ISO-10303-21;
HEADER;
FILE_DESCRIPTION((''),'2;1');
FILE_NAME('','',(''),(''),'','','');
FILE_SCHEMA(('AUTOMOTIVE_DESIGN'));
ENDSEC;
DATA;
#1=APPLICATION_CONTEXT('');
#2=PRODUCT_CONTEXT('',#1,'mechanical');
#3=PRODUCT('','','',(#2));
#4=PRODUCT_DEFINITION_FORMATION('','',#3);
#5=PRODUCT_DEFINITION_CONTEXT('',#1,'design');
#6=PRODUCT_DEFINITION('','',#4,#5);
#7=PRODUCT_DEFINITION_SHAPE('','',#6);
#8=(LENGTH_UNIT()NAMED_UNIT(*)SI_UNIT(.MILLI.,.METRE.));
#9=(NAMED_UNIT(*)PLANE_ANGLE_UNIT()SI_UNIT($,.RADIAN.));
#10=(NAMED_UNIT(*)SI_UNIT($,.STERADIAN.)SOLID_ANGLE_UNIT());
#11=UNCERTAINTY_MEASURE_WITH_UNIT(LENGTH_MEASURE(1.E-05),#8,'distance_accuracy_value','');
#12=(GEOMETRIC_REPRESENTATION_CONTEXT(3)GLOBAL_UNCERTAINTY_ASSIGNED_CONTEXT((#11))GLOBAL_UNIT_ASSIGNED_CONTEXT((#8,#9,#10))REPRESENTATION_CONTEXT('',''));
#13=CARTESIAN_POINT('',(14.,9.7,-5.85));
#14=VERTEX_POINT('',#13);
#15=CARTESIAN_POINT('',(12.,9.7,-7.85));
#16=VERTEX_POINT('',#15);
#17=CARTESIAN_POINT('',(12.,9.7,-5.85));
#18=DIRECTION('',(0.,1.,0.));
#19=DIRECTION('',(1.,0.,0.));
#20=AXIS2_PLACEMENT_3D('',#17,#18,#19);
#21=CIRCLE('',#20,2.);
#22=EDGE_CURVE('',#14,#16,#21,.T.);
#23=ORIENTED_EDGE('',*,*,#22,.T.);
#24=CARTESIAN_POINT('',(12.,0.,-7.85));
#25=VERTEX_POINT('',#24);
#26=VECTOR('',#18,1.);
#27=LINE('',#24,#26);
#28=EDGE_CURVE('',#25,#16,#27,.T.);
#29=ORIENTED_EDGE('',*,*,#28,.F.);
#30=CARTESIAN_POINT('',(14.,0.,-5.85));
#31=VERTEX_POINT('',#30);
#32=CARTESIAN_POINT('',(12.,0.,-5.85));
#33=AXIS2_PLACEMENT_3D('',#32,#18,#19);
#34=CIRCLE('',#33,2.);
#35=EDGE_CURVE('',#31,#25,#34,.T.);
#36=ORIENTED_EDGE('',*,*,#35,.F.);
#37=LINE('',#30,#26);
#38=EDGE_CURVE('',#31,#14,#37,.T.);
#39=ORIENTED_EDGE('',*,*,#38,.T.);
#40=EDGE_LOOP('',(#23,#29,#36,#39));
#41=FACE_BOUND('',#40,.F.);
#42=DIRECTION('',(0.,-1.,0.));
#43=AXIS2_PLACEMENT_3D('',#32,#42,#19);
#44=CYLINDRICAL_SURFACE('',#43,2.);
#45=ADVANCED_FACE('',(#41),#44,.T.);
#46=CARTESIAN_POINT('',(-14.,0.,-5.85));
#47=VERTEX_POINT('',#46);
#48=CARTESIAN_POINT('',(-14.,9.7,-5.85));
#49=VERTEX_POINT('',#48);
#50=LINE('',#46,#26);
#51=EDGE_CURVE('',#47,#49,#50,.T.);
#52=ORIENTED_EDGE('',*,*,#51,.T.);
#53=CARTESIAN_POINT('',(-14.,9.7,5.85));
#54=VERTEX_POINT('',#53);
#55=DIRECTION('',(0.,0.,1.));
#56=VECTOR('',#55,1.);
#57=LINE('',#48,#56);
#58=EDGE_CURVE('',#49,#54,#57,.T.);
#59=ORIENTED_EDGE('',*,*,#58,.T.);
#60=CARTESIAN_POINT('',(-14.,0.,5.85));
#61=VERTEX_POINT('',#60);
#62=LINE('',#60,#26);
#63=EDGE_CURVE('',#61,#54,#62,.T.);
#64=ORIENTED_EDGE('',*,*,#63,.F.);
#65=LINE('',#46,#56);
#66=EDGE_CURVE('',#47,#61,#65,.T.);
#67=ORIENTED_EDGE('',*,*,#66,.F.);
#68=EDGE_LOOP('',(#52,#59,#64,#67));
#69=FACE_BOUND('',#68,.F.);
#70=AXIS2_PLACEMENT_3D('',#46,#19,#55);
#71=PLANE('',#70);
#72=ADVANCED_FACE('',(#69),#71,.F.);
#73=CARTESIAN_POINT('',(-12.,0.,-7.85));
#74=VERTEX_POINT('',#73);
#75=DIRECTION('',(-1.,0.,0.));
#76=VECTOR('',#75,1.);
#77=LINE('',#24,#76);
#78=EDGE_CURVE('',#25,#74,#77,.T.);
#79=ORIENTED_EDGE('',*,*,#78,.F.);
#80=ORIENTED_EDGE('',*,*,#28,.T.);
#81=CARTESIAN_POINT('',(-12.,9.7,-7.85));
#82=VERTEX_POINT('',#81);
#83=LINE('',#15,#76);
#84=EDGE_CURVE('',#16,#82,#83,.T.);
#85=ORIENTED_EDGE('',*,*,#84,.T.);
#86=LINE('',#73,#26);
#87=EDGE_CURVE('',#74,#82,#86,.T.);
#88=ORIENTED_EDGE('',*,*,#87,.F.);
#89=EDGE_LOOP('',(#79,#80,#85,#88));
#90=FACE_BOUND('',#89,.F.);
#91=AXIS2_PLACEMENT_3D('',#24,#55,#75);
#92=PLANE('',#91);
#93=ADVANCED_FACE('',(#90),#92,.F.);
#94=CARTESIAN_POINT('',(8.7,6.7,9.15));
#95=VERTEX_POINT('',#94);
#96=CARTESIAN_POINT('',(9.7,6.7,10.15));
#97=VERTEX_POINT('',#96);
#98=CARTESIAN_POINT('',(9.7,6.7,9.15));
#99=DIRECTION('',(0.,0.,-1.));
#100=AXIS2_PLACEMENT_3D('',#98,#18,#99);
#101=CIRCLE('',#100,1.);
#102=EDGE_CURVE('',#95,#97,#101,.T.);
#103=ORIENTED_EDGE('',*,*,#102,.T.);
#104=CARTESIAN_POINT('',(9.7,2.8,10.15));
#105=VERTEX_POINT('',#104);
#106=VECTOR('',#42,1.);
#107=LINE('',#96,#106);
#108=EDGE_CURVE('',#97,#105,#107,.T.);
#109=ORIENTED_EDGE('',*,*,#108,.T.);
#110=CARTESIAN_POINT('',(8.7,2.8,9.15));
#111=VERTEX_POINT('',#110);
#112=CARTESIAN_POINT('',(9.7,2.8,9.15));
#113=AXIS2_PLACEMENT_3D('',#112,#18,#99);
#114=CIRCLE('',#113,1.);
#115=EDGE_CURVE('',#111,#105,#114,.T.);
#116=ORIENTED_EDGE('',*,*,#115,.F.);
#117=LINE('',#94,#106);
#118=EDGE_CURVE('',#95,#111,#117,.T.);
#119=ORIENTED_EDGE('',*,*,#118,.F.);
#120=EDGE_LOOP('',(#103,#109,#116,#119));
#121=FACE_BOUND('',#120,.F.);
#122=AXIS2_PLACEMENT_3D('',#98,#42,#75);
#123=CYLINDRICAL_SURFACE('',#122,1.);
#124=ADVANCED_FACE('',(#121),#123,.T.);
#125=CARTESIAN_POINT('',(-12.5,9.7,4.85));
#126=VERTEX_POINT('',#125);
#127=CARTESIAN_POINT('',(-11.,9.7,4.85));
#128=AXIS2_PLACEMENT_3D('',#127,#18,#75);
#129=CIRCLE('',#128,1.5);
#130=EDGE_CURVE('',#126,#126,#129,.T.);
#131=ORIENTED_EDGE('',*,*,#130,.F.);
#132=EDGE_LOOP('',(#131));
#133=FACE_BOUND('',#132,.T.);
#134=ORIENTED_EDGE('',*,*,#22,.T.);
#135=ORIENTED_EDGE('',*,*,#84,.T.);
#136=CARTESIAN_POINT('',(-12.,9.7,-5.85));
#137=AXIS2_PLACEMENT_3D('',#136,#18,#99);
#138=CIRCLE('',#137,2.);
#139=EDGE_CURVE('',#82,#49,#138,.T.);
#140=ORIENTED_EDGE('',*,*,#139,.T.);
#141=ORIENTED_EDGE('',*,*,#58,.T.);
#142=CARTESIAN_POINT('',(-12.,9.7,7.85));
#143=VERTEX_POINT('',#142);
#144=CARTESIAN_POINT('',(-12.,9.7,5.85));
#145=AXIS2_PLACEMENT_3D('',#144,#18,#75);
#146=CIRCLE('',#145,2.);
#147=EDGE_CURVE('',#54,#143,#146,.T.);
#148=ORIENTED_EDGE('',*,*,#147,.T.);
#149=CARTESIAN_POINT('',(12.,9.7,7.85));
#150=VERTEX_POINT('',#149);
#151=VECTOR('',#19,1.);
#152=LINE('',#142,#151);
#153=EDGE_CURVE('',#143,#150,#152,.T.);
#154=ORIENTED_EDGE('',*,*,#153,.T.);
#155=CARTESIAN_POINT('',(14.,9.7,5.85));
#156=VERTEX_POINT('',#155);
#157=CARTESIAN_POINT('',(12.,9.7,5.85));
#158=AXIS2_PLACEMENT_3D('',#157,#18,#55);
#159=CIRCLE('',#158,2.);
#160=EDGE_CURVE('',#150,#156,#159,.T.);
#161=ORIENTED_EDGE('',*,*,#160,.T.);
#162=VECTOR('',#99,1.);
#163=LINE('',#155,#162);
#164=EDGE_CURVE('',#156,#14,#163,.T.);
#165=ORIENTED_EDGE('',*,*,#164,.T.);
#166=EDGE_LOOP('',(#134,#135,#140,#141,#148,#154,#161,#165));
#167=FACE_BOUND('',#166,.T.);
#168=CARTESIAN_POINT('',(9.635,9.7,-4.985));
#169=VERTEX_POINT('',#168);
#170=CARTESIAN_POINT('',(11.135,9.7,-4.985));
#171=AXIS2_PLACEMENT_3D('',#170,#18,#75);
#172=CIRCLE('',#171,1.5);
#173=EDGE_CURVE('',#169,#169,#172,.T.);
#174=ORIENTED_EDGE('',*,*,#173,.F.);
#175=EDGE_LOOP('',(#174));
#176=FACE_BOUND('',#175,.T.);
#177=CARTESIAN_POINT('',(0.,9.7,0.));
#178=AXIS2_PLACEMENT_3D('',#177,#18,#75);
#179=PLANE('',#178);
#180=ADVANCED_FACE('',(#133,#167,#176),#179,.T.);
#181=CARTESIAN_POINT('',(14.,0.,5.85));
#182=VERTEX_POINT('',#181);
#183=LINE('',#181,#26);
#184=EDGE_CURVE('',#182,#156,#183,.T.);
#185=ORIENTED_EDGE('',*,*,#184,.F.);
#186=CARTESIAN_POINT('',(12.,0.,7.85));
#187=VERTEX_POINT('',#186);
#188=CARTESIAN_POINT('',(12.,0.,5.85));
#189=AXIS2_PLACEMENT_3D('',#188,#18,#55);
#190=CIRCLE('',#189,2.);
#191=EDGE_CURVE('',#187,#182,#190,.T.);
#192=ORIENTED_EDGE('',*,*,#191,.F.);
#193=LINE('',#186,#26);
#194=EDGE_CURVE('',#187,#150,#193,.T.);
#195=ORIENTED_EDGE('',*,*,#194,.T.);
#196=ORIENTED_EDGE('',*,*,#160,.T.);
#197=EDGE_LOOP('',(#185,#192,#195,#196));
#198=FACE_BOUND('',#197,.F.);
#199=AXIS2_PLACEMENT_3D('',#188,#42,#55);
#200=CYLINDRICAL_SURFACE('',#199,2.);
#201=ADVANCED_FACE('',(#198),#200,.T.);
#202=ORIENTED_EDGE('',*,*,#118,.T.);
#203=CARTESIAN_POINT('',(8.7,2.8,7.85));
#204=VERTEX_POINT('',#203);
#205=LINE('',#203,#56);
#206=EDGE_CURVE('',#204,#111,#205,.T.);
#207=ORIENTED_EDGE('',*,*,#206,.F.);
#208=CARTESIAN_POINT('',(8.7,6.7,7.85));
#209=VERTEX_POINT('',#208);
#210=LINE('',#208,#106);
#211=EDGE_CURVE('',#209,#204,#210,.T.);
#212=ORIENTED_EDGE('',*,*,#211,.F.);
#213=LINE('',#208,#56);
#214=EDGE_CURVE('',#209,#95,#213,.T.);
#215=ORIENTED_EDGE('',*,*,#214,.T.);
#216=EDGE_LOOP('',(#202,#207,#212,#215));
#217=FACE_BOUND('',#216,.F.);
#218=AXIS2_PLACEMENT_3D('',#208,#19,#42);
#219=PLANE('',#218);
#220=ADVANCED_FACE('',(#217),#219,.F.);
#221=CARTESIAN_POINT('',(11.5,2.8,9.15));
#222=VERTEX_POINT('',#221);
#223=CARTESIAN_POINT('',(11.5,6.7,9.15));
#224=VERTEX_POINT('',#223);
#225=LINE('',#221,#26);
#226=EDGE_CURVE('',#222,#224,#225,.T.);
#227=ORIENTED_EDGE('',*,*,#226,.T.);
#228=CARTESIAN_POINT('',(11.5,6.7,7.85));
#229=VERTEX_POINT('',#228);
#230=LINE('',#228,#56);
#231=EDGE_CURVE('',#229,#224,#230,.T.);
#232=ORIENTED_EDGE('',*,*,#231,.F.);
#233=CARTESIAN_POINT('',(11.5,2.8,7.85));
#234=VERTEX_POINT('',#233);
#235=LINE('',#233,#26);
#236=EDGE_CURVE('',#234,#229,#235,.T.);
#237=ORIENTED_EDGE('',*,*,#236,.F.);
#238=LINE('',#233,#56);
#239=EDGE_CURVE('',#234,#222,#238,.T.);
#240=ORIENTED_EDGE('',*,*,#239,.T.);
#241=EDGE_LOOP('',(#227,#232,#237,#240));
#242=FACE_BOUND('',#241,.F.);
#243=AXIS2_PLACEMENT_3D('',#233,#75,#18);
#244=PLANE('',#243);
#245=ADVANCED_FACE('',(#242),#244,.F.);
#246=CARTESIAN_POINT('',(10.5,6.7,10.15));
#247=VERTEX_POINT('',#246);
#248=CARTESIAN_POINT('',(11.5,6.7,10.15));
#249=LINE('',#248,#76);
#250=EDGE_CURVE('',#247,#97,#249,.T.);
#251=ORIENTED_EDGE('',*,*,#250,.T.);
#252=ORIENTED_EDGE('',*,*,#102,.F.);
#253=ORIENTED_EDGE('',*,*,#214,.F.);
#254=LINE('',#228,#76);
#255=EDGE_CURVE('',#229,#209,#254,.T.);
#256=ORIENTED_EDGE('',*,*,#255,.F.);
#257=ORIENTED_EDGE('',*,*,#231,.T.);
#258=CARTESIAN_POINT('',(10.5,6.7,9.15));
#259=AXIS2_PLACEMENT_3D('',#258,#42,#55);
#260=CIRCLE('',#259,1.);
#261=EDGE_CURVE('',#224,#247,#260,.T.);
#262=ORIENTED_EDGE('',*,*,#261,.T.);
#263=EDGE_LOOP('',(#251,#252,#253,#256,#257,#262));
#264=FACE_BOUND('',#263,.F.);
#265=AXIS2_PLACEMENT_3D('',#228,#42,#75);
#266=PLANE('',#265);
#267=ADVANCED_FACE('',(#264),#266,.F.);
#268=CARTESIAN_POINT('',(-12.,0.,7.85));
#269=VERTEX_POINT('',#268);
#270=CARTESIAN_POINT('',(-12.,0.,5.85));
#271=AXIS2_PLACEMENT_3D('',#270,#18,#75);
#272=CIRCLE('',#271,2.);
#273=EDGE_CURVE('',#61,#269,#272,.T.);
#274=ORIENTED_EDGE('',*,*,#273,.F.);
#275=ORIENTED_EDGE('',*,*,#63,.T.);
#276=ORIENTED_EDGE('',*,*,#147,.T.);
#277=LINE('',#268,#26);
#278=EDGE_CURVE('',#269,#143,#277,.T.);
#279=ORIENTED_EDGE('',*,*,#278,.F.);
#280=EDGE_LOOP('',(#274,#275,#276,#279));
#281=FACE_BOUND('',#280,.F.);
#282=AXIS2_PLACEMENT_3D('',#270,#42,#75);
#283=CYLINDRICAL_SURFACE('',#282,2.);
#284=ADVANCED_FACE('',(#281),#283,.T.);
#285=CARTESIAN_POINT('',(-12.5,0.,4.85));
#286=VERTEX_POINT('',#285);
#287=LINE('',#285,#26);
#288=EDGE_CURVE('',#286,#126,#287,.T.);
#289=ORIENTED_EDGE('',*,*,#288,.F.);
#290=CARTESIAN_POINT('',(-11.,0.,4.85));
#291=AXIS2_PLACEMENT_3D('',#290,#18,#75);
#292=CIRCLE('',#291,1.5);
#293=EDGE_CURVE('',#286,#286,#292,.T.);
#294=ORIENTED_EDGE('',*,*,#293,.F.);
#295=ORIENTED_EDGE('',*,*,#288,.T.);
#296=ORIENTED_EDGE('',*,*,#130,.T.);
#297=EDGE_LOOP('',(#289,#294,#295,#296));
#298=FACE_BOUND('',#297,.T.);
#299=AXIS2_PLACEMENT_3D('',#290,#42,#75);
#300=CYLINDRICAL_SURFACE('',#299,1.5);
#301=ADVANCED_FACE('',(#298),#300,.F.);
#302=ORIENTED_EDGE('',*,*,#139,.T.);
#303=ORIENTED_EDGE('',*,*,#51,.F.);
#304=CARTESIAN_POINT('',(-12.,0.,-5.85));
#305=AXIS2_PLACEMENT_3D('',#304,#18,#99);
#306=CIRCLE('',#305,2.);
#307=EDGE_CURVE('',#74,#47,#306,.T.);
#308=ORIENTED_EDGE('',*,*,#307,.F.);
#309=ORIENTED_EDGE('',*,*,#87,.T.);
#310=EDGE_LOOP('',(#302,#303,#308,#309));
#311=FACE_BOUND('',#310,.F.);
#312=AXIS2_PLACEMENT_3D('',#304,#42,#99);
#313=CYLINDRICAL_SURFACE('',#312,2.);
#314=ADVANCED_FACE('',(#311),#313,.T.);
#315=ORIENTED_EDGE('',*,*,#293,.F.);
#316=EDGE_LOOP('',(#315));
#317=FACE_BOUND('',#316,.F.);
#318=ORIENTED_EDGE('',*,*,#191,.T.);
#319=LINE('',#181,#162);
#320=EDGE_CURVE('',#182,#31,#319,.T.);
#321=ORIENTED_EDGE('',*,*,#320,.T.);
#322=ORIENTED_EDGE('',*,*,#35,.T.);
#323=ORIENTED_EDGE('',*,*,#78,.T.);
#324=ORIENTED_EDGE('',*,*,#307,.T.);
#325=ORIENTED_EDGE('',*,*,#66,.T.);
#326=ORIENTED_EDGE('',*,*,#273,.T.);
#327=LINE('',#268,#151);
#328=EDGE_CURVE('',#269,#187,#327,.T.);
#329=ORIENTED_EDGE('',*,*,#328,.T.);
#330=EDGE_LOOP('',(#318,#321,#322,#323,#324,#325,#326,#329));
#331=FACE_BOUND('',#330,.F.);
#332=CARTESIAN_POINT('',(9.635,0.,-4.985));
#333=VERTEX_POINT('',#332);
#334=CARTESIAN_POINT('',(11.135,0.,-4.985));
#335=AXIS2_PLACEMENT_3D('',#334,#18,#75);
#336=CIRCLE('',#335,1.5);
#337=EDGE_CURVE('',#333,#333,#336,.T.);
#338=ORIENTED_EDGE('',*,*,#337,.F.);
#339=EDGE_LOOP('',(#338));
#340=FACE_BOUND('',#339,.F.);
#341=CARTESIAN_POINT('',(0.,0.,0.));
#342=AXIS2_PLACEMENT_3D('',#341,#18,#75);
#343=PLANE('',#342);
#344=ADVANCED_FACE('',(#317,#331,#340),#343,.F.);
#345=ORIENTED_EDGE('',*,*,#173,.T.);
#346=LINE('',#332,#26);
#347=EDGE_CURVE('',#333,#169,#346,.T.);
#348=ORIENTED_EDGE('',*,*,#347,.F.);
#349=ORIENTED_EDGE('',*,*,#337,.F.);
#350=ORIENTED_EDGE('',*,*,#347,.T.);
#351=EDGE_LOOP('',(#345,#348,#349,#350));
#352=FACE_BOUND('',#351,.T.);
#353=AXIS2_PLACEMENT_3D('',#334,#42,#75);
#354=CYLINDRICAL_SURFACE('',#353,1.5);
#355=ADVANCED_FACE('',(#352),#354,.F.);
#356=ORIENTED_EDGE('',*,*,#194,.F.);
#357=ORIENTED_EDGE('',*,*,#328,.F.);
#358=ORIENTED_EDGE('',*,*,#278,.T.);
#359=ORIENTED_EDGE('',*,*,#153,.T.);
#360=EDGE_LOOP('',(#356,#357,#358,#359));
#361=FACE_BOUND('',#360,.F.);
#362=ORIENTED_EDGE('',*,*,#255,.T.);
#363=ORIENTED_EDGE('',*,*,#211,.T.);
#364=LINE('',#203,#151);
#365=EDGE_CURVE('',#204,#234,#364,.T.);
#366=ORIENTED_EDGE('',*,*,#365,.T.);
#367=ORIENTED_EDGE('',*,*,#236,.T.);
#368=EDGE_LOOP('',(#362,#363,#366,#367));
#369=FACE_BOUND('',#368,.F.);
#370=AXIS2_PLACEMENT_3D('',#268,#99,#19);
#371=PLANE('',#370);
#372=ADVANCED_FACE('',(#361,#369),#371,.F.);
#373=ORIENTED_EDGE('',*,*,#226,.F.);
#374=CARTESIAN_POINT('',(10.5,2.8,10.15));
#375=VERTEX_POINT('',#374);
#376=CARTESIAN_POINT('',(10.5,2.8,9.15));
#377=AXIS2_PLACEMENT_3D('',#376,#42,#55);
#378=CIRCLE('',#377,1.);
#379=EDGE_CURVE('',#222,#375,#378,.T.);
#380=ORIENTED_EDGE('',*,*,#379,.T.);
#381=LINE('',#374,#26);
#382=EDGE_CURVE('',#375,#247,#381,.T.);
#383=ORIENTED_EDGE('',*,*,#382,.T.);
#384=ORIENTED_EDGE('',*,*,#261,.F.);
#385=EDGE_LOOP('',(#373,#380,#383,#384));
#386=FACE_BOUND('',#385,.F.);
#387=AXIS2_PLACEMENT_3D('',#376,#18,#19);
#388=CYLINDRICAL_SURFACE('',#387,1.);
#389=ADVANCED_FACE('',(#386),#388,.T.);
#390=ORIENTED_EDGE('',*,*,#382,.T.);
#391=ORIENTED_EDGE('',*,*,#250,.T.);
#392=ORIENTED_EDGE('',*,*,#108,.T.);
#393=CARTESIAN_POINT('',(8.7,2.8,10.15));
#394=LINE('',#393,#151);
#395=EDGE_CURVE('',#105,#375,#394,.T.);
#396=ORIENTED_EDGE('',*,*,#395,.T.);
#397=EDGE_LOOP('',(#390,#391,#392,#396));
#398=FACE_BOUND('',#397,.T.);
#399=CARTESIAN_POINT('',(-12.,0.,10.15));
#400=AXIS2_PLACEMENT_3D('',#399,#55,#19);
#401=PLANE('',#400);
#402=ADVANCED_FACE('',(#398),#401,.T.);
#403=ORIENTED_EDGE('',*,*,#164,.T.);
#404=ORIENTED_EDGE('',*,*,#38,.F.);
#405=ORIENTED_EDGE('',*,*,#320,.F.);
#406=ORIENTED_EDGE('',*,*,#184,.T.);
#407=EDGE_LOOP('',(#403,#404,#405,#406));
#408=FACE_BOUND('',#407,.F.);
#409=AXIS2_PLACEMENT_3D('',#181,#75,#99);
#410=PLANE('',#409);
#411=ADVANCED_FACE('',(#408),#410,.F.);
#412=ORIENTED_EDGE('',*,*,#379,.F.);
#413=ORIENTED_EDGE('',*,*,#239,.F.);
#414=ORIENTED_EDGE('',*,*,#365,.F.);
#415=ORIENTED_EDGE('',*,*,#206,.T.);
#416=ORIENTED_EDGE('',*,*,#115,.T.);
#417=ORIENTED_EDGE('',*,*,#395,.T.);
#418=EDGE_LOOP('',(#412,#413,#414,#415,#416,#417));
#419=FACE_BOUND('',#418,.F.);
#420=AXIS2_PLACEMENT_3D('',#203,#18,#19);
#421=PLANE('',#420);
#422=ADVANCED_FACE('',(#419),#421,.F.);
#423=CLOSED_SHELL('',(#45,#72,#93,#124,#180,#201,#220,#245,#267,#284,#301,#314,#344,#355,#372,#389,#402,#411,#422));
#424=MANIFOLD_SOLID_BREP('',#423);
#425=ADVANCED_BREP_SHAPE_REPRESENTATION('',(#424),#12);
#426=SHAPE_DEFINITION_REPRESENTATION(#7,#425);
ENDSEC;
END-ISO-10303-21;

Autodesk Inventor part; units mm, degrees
ref_plane "YZ Plane" through (0, 0, 0) normal (1, 0, 0) x (0, 1, 0)
ref_plane "XZ Plane" through (0, 0, 0) normal (0, 1, 0) x (-1, 0, 0)
ref_plane "XY Plane" through (0, 0, 0) normal (0, 0, 1) x (1, 0, 0)
sketch "Sketch1" plane through (0, 0, 0) normal (0, 1, 0) x (-1, 0, 0)
  line L0 (12, 7.85) -> (-12, 7.85)
  line L1 (-14, 5.85) -> (-14, -5.85)
  line L2 (-12, -7.85) -> (12, -7.85)
  line L3 (14, -5.85) -> (14, 5.85)
  line L4 (14, 7.85) -> (-14, -7.85) construction
  line L5 (-14, 7.85) -> (14, -7.85) construction
  arc A0 (14, 5.85) -> (12, 7.85) centre (12, 5.85) ccw
  arc A1 (12, -7.85) -> (14, -5.85) centre (12, -5.85) ccw
  arc A2 (-14, -5.85) -> (-12, -7.85) centre (-12, -5.85) ccw
  arc A3 (-12, 7.85) -> (-14, 5.85) centre (-12, 5.85) ccw
  line L6 (12.5, 8.7909) -> (12.5, -11.3064) construction
  line L7 (15.2914, 6.35) -> (1.3637, 6.35) construction
  circle A4 centre (11, 4.85) radius 1.5
  line L8 (14, 0) -> (-14, 0) construction
  line L9 (0, 7.85) -> (0, -7.85) construction
  circle A5 centre (-11.135, -4.985) radius 1.5
  point P0 (0, 0)
  dimension "d0" = 28
  dimension "d1" = 15.7
  dimension "d2" = 2
  dimension "d3" = 1.5
  dimension "d4" = 1.5
  dimension "d5" = 3
  dimension "d15" = 3
extrude "Extrusion1" add sketch "Sketch1" along normal blind 9.7
sketch "Sketch2" plane through (-12, 0, 7.85) normal (0, 0, 1) x (1, 0, 0)
  line L0 (0, 0) -> (24, 0) construction
  line L1 (24, 0) -> (24, 9.7) construction
  line L2 (0, 9.7) -> (24, 9.7) construction
  line L3 (0, 0) -> (0, 9.7) construction
  line L4 (0, 6.7) -> (24, 6.7) construction
  line L5 (24, 0) -> (24, 9.7) construction
  line L6 (0, 9.7) -> (24, 9.7) construction
  line L7 (23.5, 9.7) -> (23.5, 0) construction
  line L8 (0, 0) -> (24, 0) construction
  line L9 (26, 0) -> (26, 9.7) construction
  line L10 (23.5, 6.7) -> (20.7, 6.7)
  line L11 (20.7, 6.7) -> (20.7, 2.8)
  line L12 (20.7, 2.8) -> (23.5, 2.8)
  line L13 (23.5, 2.8) -> (23.5, 6.7)
  point P0 (12, 0)
  dimension "d8" = 3
  dimension "d9" = 2.5
  dimension "d10" = 2.8
  dimension "d11" = 3.9
extrude "Extrusion2" add sketch "Sketch2" along normal blind 2.3
fillet "Fillet1" radius 1 2 edges at (8.7, 4.75, 10.15) (11.5, 4.75, 10.15)
properties part number "microswitch" material "PET Plastic"
